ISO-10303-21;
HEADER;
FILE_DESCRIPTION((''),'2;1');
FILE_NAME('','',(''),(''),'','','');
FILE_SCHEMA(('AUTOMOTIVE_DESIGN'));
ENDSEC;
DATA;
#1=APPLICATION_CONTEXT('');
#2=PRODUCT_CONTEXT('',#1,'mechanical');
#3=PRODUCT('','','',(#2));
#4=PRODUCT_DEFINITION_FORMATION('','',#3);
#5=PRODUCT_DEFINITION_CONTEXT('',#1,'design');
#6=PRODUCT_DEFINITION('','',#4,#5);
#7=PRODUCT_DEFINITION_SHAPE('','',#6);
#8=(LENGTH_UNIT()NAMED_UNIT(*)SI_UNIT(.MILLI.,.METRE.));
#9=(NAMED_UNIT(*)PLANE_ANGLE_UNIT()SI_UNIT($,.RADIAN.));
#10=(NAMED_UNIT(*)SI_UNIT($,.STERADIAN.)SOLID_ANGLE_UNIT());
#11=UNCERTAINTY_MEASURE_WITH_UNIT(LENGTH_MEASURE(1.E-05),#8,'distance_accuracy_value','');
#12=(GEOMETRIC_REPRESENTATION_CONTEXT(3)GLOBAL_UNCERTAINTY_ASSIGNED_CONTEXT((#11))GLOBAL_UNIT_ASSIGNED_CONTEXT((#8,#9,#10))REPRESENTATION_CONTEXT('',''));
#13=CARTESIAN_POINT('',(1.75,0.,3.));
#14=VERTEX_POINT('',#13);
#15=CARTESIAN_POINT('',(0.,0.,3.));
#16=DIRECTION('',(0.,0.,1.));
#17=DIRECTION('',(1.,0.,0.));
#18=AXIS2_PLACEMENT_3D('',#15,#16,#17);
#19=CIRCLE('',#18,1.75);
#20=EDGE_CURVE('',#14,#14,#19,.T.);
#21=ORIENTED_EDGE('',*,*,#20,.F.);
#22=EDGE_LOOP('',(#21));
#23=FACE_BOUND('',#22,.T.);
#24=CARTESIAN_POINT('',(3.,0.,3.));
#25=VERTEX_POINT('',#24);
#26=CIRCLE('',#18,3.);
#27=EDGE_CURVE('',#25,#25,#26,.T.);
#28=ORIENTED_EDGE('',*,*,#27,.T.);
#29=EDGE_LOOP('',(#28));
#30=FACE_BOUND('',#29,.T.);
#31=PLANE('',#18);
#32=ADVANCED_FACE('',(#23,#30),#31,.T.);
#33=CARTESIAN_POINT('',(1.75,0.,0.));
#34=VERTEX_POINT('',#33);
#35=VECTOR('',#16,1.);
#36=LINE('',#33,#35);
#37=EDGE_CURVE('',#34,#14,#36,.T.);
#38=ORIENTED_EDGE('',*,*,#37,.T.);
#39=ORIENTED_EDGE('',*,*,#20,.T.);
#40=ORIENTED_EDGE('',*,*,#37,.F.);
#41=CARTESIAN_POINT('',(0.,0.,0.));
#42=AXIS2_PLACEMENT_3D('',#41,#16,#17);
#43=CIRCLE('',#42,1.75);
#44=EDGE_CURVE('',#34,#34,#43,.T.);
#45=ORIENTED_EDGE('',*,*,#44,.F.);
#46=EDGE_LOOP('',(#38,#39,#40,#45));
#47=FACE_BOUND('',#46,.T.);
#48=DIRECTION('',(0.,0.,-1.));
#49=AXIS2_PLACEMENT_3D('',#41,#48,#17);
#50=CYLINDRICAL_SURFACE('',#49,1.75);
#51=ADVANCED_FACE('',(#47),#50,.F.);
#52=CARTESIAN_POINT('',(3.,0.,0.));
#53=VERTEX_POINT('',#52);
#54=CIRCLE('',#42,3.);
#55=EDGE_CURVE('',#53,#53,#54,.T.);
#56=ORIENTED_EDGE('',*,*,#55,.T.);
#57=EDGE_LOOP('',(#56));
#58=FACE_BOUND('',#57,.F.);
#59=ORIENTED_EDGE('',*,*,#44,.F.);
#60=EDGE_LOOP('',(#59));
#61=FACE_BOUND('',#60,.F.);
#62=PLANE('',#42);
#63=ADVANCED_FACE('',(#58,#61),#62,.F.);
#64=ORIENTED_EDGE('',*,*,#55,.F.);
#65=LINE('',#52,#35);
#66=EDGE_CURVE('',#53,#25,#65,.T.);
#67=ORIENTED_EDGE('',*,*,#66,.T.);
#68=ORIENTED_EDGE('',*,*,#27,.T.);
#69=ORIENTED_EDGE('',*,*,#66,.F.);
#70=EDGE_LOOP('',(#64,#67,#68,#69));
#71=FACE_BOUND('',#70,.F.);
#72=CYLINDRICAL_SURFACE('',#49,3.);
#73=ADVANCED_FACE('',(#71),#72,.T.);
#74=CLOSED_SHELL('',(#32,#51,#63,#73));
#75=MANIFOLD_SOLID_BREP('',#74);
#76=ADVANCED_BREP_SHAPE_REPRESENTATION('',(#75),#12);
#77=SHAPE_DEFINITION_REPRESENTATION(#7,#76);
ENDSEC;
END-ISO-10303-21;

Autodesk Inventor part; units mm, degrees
ref_plane "YZ Plane" through (0, 0, 0) normal (1, 0, 0) x (0, 1, 0)
ref_plane "XZ Plane" through (0, 0, 0) normal (0, 1, 0) x (-1, 0, 0)
ref_plane "XY Plane" through (0, 0, 0) normal (0, 0, 1) x (1, 0, 0)
sketch "Эскиз1" plane through (0, 0, 0) normal (0, 0, 1) x (1, 0, 0)
  circle A0 centre (0, 0) radius 3
  circle A1 centre (0, 0) radius 1.75
  dimension "d0" = 6
  dimension "d1" = 3.5
extrude "Выдавливание1" add sketch "Эскиз1" along normal blind 3
properties part number "Стойки камеры"
